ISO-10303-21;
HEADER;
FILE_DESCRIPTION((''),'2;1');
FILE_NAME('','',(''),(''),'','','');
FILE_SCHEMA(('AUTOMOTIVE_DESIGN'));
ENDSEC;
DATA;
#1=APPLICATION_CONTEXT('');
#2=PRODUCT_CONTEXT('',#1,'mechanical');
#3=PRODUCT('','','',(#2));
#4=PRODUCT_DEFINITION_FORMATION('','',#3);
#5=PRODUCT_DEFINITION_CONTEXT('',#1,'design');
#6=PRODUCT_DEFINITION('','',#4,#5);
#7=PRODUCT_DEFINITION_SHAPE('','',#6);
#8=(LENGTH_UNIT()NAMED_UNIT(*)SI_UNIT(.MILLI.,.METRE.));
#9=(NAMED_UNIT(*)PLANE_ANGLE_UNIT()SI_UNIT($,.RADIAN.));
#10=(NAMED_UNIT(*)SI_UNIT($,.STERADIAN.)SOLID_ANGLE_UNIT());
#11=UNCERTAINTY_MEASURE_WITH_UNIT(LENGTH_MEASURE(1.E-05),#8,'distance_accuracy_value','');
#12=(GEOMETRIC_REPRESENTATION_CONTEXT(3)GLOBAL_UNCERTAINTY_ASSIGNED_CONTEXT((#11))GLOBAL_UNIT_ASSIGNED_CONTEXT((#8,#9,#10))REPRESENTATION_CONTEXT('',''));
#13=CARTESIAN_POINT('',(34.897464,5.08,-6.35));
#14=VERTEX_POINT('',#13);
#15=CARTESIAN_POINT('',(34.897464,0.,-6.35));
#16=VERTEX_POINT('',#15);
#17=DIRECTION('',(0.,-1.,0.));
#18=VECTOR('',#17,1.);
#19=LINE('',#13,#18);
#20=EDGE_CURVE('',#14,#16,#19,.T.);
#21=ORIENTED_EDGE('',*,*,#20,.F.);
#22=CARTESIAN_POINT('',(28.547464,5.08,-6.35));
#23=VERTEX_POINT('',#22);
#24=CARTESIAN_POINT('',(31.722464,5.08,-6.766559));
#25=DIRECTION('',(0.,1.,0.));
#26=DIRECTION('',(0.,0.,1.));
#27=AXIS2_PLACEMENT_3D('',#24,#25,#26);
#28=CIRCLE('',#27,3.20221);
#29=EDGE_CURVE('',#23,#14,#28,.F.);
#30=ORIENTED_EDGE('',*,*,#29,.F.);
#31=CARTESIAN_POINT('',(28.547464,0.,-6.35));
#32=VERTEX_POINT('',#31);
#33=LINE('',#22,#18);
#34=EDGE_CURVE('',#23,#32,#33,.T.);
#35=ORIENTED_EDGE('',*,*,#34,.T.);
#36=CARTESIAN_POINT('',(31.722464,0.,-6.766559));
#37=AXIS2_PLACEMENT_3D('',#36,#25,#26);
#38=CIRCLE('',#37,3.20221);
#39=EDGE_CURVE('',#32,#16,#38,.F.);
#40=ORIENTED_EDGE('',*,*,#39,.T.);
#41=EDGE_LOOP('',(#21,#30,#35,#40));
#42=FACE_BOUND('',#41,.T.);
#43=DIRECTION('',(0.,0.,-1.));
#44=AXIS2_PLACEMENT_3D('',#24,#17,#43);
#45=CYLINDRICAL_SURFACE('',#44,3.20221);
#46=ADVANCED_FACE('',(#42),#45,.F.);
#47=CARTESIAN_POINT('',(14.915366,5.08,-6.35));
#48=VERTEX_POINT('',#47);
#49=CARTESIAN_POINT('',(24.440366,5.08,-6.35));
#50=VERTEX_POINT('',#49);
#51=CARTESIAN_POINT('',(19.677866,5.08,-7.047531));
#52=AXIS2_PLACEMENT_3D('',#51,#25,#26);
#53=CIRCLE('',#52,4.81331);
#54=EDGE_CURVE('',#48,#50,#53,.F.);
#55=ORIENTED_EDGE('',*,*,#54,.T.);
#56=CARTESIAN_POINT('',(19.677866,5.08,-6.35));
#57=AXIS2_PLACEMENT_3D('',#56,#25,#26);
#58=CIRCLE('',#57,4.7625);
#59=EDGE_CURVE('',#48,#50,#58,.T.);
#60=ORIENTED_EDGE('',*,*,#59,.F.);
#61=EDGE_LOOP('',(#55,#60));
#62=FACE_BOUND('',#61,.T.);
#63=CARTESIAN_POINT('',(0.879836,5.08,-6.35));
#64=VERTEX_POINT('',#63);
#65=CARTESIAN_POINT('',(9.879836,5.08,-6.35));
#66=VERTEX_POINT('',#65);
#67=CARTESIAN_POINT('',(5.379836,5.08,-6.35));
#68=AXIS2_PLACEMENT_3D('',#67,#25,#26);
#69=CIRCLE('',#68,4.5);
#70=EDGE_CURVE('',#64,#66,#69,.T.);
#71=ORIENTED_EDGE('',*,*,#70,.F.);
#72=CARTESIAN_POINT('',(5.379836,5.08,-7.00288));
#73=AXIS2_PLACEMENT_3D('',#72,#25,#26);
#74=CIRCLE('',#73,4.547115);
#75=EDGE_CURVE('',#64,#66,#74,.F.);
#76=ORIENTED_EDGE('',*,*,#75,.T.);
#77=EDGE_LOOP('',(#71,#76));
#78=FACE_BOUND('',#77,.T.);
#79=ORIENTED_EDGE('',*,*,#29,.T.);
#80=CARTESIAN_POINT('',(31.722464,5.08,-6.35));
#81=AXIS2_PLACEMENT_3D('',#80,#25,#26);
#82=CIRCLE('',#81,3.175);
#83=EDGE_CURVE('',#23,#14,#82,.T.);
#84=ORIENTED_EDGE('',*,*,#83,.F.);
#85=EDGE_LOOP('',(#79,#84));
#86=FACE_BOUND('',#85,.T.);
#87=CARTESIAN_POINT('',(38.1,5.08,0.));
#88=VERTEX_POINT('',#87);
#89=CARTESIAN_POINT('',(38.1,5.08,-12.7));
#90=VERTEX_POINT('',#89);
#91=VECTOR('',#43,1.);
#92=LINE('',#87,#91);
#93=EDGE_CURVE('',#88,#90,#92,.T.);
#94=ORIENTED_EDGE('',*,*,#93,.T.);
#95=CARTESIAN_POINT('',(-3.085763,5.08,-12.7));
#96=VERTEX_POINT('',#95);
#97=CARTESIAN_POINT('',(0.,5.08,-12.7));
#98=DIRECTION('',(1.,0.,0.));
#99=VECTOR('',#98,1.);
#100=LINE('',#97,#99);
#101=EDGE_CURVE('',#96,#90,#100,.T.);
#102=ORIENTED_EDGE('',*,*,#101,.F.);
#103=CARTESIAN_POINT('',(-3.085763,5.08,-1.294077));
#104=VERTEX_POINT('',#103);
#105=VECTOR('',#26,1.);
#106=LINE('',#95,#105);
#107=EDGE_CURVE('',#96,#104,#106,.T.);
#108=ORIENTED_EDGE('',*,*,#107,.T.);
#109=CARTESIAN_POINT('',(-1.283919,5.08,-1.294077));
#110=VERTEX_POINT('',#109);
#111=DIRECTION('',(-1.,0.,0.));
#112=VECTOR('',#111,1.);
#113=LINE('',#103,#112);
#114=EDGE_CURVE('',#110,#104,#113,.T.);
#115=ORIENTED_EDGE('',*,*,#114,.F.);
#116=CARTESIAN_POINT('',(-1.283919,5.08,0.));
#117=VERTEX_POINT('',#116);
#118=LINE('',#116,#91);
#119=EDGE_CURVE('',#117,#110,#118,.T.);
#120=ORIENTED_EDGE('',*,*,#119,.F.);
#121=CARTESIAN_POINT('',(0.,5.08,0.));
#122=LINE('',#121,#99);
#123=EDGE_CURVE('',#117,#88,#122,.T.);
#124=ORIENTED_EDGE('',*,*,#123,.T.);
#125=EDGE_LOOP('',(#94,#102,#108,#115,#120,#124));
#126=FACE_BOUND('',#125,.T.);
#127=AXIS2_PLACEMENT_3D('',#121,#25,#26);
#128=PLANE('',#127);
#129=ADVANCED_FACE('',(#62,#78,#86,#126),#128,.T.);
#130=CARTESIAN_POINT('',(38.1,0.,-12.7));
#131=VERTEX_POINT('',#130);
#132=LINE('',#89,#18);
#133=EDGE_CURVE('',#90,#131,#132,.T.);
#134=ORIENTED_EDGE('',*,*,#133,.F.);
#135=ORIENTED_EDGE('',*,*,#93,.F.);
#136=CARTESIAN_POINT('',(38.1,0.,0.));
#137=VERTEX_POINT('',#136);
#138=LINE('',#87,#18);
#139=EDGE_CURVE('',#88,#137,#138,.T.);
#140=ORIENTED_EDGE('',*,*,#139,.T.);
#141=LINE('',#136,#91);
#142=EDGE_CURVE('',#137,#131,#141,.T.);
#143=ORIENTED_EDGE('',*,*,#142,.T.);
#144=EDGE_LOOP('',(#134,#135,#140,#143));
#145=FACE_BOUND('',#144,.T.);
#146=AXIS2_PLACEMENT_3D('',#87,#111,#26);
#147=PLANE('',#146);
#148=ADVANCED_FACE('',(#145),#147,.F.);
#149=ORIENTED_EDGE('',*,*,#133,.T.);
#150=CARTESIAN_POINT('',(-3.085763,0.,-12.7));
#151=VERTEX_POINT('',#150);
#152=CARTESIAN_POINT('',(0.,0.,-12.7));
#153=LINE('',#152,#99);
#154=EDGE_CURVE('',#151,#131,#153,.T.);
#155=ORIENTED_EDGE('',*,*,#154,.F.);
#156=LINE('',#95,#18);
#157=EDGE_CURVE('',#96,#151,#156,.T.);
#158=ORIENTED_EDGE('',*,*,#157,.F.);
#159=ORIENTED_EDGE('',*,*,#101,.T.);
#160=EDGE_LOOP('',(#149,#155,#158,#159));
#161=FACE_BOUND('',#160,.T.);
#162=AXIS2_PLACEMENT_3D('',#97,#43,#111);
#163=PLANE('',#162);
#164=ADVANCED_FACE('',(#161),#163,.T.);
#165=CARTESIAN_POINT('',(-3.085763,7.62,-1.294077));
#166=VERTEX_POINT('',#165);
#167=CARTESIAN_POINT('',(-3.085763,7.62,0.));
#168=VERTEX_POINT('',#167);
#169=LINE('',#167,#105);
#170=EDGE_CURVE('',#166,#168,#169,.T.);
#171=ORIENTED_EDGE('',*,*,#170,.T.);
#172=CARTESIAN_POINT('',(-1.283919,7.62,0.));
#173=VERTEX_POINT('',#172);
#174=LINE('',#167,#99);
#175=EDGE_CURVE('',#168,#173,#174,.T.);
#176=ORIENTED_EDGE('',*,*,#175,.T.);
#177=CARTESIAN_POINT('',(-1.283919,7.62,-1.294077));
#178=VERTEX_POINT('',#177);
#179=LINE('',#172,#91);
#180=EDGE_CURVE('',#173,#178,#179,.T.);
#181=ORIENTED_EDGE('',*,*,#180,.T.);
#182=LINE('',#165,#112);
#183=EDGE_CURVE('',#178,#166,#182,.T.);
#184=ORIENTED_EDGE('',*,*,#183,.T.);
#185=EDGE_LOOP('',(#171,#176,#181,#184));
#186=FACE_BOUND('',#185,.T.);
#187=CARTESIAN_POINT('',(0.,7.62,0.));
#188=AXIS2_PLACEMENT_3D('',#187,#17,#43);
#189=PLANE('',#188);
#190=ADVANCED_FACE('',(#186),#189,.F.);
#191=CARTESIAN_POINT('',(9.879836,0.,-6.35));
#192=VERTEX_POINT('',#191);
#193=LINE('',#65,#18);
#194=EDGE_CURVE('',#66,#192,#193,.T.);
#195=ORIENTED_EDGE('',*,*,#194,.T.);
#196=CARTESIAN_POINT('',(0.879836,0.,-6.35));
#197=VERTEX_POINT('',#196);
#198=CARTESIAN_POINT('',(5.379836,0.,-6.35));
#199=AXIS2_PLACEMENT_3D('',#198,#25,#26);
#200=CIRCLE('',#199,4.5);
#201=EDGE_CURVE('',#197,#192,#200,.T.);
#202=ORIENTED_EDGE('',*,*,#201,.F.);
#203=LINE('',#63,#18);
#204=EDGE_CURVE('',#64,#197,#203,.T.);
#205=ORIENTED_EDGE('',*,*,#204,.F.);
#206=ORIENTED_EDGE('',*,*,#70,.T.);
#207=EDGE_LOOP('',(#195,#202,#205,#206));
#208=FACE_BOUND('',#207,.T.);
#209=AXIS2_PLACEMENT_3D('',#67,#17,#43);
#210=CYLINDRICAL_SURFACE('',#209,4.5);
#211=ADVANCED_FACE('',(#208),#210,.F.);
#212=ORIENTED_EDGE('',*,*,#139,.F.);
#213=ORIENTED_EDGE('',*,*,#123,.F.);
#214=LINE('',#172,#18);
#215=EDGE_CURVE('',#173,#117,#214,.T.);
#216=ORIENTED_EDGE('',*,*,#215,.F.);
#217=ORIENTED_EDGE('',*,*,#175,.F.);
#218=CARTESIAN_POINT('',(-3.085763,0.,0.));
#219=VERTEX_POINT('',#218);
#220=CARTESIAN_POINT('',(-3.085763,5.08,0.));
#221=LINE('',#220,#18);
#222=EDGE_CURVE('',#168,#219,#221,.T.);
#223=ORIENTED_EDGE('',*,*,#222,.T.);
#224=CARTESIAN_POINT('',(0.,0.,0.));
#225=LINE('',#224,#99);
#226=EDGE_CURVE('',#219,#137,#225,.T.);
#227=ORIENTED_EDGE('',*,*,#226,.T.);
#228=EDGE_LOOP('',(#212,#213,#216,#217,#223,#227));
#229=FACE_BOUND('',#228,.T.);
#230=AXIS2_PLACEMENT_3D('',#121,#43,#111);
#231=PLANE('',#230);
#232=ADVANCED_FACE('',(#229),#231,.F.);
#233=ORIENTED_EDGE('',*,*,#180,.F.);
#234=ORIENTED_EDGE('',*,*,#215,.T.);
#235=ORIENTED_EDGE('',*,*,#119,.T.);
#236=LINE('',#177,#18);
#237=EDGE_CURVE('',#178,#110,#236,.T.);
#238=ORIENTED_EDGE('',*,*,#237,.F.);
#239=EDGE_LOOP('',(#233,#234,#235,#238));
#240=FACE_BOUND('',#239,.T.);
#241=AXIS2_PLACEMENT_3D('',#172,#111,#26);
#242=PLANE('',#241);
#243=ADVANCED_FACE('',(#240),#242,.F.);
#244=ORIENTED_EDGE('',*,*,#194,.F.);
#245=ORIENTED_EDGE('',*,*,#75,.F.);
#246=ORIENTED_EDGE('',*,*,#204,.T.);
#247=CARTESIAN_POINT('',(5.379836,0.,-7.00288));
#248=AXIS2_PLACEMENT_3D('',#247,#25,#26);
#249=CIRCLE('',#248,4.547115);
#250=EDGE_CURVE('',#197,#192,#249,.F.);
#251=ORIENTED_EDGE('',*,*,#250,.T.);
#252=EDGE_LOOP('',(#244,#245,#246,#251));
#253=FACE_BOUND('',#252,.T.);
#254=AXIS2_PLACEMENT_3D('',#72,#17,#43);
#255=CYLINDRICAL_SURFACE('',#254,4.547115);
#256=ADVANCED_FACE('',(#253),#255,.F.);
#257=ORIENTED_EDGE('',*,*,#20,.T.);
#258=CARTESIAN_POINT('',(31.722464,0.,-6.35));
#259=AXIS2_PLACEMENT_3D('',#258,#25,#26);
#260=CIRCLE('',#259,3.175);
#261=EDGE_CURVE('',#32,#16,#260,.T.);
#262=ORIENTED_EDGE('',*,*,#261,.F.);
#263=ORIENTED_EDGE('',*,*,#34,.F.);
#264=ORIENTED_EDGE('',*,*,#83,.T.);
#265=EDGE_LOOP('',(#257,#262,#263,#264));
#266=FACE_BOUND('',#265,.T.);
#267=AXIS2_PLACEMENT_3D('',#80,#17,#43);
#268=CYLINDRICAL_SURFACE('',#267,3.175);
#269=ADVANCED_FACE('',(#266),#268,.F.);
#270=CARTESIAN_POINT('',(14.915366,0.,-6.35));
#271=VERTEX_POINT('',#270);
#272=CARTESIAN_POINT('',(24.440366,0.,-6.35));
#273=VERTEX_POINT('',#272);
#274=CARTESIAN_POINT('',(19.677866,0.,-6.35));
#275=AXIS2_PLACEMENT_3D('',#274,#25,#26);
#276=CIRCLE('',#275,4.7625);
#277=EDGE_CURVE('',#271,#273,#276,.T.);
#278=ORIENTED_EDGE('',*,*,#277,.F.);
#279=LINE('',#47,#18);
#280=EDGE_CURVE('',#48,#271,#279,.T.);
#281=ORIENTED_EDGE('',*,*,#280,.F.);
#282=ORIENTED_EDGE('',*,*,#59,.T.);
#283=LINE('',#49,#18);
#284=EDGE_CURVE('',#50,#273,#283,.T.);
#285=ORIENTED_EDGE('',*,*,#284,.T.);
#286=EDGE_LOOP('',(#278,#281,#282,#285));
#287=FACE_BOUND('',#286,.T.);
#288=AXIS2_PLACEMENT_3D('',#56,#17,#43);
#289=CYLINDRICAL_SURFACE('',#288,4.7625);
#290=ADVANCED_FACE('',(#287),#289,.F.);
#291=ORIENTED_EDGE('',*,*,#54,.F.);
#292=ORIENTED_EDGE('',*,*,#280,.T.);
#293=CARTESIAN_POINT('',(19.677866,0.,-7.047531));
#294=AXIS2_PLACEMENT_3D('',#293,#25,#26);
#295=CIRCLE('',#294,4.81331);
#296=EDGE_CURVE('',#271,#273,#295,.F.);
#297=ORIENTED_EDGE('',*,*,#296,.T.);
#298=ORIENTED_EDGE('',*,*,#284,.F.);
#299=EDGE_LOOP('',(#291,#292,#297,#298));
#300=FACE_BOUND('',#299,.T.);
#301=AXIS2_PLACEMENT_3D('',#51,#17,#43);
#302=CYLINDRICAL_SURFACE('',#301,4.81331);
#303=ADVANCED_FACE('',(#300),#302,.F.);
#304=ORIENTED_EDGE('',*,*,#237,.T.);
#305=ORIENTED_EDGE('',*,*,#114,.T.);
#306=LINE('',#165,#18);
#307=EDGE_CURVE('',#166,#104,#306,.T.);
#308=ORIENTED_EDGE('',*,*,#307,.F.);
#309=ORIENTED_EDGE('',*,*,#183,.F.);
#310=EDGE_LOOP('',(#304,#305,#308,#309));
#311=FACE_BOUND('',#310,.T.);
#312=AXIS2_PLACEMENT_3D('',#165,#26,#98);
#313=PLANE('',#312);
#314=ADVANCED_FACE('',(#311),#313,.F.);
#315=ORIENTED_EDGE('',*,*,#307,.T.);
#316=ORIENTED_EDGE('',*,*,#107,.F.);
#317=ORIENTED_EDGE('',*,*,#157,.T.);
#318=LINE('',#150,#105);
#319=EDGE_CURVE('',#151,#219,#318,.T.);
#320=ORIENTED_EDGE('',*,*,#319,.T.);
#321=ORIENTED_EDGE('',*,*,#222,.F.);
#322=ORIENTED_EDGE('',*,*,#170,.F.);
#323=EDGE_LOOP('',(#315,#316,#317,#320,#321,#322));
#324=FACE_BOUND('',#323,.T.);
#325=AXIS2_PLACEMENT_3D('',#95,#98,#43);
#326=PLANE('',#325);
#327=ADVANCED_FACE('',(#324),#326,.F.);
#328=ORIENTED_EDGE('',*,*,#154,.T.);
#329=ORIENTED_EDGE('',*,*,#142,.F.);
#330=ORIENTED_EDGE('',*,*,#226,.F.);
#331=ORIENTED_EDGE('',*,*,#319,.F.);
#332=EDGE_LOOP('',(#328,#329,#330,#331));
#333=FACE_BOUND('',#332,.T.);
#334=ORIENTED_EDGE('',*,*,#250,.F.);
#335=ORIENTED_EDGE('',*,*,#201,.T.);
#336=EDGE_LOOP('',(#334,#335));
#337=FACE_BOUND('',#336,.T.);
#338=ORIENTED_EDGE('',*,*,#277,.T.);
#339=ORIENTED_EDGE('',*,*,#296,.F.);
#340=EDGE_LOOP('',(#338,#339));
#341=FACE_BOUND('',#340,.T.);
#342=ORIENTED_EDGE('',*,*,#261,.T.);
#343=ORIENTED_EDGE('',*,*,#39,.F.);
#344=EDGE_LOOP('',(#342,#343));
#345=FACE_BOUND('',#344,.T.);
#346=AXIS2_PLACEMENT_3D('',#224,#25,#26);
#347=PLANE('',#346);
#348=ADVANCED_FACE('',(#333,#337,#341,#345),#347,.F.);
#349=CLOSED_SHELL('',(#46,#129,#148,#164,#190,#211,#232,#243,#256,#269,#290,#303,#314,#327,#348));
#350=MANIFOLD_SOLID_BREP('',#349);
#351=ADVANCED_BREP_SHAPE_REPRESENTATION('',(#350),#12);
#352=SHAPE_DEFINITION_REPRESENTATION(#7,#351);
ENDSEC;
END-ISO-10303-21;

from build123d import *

# Parameters (mm, degrees)
SKETCH1_W           = 41.185763127
SKETCH1_H           = 12.7
BOSS_EXTRUDE1_DEPTH = 5.08
SKETCH3_W           = 1.801844016
SKETCH3_H           = 1.294077433
BOSS_EXTRUDE2_DEPTH = 2.54


with BuildPart() as part:
    # Sketch1 → Boss-Extrude1 (new body)
    with BuildSketch(Plane(origin=(0, 0, 0), x_dir=(1, 0, 0), z_dir=(0, 1, 0))):
        with Locations((17.507118437, 6.35)):
            Rectangle(SKETCH1_W, SKETCH1_H)
        with BuildLine():
            ThreePointArc((28.547464109, 6.35), (31.722464109, 9.968769047), (34.897464109, 6.35))
            ThreePointArc((34.897464109, 6.35), (31.722464109, 3.175), (28.547464109, 6.35))
        make_face(mode=Mode.SUBTRACT)
        with BuildLine():
            ThreePointArc((14.915366262, 6.35), (19.677866262, 11.860840795), (24.440366262, 6.35))
            ThreePointArc((24.440366262, 6.35), (19.677866262, 1.5875), (14.915366262, 6.35))
        make_face(mode=Mode.SUBTRACT)
        with BuildLine():
            ThreePointArc((0.879836225, 6.35), (5.379836225, 11.549994731), (9.879836225, 6.35))
            ThreePointArc((9.879836225, 6.35), (5.379836225, 1.85), (0.879836225, 6.35))
        make_face(mode=Mode.SUBTRACT)
    extrude(amount=BOSS_EXTRUDE1_DEPTH)

    # Sketch3 → Boss-Extrude2 (add)
    with BuildSketch(Plane(origin=(0, 5.08, 0), x_dir=(1, 0, 0), z_dir=(0, 1, 0))):
        with Locations((-2.184841119, 0.647038716)):
            Rectangle(SKETCH3_W, SKETCH3_H)
    extrude(amount=BOSS_EXTRUDE2_DEPTH)


solid = part.part
